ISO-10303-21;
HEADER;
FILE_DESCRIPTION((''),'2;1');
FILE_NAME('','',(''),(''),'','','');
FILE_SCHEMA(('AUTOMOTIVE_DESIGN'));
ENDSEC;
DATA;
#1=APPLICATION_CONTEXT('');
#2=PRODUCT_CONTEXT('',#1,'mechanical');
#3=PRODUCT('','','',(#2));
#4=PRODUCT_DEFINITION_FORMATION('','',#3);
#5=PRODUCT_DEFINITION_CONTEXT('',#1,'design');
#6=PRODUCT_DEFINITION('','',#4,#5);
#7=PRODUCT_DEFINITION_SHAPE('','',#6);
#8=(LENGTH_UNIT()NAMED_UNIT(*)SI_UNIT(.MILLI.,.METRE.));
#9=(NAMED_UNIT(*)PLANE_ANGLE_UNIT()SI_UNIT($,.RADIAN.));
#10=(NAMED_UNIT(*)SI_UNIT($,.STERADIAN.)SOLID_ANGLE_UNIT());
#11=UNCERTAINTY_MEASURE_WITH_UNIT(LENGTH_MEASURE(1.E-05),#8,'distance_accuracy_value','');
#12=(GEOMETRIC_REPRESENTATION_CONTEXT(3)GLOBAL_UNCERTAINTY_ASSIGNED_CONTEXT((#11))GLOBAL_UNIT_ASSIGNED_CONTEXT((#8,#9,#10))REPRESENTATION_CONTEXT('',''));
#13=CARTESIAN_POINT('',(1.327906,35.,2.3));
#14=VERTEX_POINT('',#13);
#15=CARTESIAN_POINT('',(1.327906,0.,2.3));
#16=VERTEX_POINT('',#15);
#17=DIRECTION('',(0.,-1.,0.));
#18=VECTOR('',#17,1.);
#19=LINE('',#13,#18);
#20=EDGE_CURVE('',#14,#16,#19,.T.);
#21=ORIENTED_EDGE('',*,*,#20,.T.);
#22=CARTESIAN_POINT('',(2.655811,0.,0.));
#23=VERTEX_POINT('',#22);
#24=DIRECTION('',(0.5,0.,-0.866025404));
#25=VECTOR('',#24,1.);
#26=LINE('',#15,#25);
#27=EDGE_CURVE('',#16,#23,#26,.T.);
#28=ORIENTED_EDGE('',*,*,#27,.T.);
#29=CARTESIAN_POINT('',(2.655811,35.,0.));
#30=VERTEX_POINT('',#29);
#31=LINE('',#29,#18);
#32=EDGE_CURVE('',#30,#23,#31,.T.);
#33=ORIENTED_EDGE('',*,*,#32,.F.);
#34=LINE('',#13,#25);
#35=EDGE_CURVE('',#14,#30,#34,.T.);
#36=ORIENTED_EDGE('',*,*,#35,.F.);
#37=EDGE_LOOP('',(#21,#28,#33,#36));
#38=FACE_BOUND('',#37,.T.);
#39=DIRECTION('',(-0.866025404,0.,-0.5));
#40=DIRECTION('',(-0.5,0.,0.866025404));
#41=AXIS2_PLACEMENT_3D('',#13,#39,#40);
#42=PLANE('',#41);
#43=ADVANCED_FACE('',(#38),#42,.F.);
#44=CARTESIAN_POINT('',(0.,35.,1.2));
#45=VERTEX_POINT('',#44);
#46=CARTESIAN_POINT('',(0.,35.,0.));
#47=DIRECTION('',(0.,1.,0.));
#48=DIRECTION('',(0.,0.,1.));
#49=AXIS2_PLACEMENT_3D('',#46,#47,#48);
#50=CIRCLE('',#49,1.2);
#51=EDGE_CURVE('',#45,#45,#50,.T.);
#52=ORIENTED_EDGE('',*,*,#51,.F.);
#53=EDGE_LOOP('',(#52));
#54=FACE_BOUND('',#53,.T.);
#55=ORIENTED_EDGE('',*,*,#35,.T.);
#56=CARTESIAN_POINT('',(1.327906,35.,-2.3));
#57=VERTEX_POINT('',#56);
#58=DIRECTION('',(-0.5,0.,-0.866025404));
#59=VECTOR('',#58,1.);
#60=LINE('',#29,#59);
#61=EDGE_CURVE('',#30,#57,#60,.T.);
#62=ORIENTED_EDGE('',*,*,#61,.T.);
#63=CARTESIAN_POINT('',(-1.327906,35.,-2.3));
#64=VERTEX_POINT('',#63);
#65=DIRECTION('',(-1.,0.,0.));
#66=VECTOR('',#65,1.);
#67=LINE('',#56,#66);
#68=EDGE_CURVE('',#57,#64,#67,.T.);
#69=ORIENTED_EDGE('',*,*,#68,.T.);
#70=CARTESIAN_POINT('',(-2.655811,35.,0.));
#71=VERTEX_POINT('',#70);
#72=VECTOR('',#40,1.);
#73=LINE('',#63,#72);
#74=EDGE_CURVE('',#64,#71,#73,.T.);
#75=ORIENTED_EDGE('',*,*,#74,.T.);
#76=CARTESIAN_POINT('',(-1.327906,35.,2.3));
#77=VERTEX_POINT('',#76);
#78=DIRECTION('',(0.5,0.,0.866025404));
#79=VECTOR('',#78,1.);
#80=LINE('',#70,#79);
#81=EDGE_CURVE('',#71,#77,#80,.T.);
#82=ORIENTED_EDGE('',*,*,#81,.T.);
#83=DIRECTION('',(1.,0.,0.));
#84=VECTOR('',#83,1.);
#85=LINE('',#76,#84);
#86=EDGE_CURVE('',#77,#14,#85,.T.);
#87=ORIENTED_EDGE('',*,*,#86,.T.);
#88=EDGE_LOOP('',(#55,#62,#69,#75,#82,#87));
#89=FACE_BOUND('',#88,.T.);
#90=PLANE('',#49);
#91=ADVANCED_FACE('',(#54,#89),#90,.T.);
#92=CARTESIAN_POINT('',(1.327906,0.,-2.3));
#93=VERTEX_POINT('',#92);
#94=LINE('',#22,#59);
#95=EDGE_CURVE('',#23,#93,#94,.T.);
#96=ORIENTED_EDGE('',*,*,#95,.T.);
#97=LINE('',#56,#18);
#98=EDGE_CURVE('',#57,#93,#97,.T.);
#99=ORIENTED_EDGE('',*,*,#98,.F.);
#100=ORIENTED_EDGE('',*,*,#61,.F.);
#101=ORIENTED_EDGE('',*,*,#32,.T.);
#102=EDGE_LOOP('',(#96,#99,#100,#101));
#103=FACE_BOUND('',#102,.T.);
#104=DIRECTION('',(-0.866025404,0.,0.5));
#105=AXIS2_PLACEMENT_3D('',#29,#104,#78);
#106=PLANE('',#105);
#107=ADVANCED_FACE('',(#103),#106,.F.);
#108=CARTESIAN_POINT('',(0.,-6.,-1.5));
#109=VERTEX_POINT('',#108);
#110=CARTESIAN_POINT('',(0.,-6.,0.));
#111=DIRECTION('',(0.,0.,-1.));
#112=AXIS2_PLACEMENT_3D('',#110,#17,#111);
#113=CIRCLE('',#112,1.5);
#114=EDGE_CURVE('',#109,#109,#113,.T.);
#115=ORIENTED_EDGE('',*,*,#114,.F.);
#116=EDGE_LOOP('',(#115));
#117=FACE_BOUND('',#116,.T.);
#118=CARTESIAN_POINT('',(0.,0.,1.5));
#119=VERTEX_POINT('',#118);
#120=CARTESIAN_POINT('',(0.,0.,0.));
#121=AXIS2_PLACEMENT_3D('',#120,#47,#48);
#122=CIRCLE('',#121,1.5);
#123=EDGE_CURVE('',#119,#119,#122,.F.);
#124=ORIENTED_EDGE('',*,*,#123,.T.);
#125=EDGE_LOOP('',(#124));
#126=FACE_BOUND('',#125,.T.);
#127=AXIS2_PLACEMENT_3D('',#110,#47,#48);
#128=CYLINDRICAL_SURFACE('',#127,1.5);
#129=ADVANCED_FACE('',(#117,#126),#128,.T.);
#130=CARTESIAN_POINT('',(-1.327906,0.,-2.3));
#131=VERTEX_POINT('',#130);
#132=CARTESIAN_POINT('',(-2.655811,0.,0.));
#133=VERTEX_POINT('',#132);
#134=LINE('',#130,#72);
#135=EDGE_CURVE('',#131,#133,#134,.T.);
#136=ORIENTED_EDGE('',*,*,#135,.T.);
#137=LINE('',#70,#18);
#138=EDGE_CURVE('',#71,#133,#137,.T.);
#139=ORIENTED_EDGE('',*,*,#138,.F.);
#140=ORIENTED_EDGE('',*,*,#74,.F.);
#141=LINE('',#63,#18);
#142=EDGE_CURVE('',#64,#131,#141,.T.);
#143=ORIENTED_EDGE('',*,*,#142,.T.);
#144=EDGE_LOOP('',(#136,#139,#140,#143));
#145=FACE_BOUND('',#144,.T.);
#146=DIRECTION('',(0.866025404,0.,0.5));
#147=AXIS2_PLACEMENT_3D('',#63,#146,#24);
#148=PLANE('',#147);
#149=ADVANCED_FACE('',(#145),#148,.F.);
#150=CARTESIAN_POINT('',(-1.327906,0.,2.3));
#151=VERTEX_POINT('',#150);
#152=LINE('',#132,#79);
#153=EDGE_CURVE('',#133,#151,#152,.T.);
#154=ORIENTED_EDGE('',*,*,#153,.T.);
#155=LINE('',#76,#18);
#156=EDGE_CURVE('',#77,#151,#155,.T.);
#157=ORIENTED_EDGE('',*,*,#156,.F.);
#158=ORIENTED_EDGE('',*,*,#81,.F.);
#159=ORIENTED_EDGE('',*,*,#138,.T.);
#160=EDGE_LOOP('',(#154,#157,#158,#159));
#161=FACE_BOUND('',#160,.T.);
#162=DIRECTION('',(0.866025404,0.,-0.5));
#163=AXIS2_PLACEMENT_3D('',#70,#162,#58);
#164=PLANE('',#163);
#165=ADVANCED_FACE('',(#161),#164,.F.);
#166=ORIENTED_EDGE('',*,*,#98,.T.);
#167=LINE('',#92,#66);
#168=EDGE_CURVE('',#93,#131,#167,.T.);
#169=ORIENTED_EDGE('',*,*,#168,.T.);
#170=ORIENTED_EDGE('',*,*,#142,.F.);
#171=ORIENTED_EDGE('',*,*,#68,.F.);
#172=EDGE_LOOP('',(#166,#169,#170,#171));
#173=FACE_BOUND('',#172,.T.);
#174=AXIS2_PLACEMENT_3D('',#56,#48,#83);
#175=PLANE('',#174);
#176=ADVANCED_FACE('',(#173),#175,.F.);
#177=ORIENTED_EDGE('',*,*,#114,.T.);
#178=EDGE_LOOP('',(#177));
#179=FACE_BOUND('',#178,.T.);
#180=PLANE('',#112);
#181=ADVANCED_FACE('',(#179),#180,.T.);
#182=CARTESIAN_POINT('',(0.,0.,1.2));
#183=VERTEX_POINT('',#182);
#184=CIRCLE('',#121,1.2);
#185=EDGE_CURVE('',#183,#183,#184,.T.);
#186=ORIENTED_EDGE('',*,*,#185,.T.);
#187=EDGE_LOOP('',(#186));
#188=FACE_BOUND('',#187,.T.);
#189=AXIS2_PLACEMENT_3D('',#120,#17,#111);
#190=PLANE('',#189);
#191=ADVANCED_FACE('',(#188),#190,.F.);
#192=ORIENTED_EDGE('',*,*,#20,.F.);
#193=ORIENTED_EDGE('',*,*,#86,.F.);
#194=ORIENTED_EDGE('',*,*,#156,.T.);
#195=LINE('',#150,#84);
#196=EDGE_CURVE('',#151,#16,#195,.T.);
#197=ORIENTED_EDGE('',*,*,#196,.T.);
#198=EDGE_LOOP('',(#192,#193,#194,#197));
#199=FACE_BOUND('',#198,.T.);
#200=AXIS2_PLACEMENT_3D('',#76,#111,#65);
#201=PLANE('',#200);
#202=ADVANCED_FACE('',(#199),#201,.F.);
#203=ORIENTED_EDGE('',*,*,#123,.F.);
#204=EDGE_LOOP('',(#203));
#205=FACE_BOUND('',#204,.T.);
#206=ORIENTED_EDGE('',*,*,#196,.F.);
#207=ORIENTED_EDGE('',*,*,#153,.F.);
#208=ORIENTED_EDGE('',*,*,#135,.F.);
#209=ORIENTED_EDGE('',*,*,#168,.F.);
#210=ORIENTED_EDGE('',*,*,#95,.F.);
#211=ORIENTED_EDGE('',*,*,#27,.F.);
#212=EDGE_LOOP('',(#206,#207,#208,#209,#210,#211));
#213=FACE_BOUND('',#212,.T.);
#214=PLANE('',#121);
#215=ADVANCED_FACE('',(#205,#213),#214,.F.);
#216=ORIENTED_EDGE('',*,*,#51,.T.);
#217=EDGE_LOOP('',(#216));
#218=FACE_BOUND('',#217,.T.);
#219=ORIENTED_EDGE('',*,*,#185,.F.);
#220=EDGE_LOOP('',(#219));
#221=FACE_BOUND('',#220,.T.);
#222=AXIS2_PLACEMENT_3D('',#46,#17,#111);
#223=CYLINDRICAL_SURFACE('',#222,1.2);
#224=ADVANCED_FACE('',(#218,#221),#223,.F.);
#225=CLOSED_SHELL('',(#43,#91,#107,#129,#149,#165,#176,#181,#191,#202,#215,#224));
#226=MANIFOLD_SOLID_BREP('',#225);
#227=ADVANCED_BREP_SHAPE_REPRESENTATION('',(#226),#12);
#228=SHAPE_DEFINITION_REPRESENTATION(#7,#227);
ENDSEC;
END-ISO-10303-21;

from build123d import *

# Parameters (mm, degrees)
SKETCH1_R           = 1.2
BOSS_EXTRUDE1_DEPTH = 35
SKETCH3_R           = 1.5
BOSS_EXTRUDE2_DEPTH = 6


with BuildPart() as part:
    # Sketch1 → Boss-Extrude1 (new body)
    with BuildSketch(Plane(origin=(0, 0, 0), x_dir=(1, 0, 0), z_dir=(0, 1, 0))):
        Polygon((2.655811238, 0), (1.327905619, 2.3), (-1.327905619, 2.3), (-2.655811238, 0), (-1.327905619, -2.3), (1.327905619, -2.3), align=None)
        with Locations(Location((0, 0, 0), (0, 0, 270))):
            Circle(SKETCH1_R, mode=Mode.SUBTRACT)
    extrude(amount=BOSS_EXTRUDE1_DEPTH)

    # Sketch3 → Boss-Extrude2 (add)
    with BuildSketch(Plane(origin=(0, 0, 0), x_dir=(-1, 0, 0), z_dir=(0, -1, 0))):
        with Locations(Location((0, 0, 0), (0, 0, 270))):
            Circle(SKETCH3_R)
    extrude(amount=BOSS_EXTRUDE2_DEPTH)


solid = part.part
